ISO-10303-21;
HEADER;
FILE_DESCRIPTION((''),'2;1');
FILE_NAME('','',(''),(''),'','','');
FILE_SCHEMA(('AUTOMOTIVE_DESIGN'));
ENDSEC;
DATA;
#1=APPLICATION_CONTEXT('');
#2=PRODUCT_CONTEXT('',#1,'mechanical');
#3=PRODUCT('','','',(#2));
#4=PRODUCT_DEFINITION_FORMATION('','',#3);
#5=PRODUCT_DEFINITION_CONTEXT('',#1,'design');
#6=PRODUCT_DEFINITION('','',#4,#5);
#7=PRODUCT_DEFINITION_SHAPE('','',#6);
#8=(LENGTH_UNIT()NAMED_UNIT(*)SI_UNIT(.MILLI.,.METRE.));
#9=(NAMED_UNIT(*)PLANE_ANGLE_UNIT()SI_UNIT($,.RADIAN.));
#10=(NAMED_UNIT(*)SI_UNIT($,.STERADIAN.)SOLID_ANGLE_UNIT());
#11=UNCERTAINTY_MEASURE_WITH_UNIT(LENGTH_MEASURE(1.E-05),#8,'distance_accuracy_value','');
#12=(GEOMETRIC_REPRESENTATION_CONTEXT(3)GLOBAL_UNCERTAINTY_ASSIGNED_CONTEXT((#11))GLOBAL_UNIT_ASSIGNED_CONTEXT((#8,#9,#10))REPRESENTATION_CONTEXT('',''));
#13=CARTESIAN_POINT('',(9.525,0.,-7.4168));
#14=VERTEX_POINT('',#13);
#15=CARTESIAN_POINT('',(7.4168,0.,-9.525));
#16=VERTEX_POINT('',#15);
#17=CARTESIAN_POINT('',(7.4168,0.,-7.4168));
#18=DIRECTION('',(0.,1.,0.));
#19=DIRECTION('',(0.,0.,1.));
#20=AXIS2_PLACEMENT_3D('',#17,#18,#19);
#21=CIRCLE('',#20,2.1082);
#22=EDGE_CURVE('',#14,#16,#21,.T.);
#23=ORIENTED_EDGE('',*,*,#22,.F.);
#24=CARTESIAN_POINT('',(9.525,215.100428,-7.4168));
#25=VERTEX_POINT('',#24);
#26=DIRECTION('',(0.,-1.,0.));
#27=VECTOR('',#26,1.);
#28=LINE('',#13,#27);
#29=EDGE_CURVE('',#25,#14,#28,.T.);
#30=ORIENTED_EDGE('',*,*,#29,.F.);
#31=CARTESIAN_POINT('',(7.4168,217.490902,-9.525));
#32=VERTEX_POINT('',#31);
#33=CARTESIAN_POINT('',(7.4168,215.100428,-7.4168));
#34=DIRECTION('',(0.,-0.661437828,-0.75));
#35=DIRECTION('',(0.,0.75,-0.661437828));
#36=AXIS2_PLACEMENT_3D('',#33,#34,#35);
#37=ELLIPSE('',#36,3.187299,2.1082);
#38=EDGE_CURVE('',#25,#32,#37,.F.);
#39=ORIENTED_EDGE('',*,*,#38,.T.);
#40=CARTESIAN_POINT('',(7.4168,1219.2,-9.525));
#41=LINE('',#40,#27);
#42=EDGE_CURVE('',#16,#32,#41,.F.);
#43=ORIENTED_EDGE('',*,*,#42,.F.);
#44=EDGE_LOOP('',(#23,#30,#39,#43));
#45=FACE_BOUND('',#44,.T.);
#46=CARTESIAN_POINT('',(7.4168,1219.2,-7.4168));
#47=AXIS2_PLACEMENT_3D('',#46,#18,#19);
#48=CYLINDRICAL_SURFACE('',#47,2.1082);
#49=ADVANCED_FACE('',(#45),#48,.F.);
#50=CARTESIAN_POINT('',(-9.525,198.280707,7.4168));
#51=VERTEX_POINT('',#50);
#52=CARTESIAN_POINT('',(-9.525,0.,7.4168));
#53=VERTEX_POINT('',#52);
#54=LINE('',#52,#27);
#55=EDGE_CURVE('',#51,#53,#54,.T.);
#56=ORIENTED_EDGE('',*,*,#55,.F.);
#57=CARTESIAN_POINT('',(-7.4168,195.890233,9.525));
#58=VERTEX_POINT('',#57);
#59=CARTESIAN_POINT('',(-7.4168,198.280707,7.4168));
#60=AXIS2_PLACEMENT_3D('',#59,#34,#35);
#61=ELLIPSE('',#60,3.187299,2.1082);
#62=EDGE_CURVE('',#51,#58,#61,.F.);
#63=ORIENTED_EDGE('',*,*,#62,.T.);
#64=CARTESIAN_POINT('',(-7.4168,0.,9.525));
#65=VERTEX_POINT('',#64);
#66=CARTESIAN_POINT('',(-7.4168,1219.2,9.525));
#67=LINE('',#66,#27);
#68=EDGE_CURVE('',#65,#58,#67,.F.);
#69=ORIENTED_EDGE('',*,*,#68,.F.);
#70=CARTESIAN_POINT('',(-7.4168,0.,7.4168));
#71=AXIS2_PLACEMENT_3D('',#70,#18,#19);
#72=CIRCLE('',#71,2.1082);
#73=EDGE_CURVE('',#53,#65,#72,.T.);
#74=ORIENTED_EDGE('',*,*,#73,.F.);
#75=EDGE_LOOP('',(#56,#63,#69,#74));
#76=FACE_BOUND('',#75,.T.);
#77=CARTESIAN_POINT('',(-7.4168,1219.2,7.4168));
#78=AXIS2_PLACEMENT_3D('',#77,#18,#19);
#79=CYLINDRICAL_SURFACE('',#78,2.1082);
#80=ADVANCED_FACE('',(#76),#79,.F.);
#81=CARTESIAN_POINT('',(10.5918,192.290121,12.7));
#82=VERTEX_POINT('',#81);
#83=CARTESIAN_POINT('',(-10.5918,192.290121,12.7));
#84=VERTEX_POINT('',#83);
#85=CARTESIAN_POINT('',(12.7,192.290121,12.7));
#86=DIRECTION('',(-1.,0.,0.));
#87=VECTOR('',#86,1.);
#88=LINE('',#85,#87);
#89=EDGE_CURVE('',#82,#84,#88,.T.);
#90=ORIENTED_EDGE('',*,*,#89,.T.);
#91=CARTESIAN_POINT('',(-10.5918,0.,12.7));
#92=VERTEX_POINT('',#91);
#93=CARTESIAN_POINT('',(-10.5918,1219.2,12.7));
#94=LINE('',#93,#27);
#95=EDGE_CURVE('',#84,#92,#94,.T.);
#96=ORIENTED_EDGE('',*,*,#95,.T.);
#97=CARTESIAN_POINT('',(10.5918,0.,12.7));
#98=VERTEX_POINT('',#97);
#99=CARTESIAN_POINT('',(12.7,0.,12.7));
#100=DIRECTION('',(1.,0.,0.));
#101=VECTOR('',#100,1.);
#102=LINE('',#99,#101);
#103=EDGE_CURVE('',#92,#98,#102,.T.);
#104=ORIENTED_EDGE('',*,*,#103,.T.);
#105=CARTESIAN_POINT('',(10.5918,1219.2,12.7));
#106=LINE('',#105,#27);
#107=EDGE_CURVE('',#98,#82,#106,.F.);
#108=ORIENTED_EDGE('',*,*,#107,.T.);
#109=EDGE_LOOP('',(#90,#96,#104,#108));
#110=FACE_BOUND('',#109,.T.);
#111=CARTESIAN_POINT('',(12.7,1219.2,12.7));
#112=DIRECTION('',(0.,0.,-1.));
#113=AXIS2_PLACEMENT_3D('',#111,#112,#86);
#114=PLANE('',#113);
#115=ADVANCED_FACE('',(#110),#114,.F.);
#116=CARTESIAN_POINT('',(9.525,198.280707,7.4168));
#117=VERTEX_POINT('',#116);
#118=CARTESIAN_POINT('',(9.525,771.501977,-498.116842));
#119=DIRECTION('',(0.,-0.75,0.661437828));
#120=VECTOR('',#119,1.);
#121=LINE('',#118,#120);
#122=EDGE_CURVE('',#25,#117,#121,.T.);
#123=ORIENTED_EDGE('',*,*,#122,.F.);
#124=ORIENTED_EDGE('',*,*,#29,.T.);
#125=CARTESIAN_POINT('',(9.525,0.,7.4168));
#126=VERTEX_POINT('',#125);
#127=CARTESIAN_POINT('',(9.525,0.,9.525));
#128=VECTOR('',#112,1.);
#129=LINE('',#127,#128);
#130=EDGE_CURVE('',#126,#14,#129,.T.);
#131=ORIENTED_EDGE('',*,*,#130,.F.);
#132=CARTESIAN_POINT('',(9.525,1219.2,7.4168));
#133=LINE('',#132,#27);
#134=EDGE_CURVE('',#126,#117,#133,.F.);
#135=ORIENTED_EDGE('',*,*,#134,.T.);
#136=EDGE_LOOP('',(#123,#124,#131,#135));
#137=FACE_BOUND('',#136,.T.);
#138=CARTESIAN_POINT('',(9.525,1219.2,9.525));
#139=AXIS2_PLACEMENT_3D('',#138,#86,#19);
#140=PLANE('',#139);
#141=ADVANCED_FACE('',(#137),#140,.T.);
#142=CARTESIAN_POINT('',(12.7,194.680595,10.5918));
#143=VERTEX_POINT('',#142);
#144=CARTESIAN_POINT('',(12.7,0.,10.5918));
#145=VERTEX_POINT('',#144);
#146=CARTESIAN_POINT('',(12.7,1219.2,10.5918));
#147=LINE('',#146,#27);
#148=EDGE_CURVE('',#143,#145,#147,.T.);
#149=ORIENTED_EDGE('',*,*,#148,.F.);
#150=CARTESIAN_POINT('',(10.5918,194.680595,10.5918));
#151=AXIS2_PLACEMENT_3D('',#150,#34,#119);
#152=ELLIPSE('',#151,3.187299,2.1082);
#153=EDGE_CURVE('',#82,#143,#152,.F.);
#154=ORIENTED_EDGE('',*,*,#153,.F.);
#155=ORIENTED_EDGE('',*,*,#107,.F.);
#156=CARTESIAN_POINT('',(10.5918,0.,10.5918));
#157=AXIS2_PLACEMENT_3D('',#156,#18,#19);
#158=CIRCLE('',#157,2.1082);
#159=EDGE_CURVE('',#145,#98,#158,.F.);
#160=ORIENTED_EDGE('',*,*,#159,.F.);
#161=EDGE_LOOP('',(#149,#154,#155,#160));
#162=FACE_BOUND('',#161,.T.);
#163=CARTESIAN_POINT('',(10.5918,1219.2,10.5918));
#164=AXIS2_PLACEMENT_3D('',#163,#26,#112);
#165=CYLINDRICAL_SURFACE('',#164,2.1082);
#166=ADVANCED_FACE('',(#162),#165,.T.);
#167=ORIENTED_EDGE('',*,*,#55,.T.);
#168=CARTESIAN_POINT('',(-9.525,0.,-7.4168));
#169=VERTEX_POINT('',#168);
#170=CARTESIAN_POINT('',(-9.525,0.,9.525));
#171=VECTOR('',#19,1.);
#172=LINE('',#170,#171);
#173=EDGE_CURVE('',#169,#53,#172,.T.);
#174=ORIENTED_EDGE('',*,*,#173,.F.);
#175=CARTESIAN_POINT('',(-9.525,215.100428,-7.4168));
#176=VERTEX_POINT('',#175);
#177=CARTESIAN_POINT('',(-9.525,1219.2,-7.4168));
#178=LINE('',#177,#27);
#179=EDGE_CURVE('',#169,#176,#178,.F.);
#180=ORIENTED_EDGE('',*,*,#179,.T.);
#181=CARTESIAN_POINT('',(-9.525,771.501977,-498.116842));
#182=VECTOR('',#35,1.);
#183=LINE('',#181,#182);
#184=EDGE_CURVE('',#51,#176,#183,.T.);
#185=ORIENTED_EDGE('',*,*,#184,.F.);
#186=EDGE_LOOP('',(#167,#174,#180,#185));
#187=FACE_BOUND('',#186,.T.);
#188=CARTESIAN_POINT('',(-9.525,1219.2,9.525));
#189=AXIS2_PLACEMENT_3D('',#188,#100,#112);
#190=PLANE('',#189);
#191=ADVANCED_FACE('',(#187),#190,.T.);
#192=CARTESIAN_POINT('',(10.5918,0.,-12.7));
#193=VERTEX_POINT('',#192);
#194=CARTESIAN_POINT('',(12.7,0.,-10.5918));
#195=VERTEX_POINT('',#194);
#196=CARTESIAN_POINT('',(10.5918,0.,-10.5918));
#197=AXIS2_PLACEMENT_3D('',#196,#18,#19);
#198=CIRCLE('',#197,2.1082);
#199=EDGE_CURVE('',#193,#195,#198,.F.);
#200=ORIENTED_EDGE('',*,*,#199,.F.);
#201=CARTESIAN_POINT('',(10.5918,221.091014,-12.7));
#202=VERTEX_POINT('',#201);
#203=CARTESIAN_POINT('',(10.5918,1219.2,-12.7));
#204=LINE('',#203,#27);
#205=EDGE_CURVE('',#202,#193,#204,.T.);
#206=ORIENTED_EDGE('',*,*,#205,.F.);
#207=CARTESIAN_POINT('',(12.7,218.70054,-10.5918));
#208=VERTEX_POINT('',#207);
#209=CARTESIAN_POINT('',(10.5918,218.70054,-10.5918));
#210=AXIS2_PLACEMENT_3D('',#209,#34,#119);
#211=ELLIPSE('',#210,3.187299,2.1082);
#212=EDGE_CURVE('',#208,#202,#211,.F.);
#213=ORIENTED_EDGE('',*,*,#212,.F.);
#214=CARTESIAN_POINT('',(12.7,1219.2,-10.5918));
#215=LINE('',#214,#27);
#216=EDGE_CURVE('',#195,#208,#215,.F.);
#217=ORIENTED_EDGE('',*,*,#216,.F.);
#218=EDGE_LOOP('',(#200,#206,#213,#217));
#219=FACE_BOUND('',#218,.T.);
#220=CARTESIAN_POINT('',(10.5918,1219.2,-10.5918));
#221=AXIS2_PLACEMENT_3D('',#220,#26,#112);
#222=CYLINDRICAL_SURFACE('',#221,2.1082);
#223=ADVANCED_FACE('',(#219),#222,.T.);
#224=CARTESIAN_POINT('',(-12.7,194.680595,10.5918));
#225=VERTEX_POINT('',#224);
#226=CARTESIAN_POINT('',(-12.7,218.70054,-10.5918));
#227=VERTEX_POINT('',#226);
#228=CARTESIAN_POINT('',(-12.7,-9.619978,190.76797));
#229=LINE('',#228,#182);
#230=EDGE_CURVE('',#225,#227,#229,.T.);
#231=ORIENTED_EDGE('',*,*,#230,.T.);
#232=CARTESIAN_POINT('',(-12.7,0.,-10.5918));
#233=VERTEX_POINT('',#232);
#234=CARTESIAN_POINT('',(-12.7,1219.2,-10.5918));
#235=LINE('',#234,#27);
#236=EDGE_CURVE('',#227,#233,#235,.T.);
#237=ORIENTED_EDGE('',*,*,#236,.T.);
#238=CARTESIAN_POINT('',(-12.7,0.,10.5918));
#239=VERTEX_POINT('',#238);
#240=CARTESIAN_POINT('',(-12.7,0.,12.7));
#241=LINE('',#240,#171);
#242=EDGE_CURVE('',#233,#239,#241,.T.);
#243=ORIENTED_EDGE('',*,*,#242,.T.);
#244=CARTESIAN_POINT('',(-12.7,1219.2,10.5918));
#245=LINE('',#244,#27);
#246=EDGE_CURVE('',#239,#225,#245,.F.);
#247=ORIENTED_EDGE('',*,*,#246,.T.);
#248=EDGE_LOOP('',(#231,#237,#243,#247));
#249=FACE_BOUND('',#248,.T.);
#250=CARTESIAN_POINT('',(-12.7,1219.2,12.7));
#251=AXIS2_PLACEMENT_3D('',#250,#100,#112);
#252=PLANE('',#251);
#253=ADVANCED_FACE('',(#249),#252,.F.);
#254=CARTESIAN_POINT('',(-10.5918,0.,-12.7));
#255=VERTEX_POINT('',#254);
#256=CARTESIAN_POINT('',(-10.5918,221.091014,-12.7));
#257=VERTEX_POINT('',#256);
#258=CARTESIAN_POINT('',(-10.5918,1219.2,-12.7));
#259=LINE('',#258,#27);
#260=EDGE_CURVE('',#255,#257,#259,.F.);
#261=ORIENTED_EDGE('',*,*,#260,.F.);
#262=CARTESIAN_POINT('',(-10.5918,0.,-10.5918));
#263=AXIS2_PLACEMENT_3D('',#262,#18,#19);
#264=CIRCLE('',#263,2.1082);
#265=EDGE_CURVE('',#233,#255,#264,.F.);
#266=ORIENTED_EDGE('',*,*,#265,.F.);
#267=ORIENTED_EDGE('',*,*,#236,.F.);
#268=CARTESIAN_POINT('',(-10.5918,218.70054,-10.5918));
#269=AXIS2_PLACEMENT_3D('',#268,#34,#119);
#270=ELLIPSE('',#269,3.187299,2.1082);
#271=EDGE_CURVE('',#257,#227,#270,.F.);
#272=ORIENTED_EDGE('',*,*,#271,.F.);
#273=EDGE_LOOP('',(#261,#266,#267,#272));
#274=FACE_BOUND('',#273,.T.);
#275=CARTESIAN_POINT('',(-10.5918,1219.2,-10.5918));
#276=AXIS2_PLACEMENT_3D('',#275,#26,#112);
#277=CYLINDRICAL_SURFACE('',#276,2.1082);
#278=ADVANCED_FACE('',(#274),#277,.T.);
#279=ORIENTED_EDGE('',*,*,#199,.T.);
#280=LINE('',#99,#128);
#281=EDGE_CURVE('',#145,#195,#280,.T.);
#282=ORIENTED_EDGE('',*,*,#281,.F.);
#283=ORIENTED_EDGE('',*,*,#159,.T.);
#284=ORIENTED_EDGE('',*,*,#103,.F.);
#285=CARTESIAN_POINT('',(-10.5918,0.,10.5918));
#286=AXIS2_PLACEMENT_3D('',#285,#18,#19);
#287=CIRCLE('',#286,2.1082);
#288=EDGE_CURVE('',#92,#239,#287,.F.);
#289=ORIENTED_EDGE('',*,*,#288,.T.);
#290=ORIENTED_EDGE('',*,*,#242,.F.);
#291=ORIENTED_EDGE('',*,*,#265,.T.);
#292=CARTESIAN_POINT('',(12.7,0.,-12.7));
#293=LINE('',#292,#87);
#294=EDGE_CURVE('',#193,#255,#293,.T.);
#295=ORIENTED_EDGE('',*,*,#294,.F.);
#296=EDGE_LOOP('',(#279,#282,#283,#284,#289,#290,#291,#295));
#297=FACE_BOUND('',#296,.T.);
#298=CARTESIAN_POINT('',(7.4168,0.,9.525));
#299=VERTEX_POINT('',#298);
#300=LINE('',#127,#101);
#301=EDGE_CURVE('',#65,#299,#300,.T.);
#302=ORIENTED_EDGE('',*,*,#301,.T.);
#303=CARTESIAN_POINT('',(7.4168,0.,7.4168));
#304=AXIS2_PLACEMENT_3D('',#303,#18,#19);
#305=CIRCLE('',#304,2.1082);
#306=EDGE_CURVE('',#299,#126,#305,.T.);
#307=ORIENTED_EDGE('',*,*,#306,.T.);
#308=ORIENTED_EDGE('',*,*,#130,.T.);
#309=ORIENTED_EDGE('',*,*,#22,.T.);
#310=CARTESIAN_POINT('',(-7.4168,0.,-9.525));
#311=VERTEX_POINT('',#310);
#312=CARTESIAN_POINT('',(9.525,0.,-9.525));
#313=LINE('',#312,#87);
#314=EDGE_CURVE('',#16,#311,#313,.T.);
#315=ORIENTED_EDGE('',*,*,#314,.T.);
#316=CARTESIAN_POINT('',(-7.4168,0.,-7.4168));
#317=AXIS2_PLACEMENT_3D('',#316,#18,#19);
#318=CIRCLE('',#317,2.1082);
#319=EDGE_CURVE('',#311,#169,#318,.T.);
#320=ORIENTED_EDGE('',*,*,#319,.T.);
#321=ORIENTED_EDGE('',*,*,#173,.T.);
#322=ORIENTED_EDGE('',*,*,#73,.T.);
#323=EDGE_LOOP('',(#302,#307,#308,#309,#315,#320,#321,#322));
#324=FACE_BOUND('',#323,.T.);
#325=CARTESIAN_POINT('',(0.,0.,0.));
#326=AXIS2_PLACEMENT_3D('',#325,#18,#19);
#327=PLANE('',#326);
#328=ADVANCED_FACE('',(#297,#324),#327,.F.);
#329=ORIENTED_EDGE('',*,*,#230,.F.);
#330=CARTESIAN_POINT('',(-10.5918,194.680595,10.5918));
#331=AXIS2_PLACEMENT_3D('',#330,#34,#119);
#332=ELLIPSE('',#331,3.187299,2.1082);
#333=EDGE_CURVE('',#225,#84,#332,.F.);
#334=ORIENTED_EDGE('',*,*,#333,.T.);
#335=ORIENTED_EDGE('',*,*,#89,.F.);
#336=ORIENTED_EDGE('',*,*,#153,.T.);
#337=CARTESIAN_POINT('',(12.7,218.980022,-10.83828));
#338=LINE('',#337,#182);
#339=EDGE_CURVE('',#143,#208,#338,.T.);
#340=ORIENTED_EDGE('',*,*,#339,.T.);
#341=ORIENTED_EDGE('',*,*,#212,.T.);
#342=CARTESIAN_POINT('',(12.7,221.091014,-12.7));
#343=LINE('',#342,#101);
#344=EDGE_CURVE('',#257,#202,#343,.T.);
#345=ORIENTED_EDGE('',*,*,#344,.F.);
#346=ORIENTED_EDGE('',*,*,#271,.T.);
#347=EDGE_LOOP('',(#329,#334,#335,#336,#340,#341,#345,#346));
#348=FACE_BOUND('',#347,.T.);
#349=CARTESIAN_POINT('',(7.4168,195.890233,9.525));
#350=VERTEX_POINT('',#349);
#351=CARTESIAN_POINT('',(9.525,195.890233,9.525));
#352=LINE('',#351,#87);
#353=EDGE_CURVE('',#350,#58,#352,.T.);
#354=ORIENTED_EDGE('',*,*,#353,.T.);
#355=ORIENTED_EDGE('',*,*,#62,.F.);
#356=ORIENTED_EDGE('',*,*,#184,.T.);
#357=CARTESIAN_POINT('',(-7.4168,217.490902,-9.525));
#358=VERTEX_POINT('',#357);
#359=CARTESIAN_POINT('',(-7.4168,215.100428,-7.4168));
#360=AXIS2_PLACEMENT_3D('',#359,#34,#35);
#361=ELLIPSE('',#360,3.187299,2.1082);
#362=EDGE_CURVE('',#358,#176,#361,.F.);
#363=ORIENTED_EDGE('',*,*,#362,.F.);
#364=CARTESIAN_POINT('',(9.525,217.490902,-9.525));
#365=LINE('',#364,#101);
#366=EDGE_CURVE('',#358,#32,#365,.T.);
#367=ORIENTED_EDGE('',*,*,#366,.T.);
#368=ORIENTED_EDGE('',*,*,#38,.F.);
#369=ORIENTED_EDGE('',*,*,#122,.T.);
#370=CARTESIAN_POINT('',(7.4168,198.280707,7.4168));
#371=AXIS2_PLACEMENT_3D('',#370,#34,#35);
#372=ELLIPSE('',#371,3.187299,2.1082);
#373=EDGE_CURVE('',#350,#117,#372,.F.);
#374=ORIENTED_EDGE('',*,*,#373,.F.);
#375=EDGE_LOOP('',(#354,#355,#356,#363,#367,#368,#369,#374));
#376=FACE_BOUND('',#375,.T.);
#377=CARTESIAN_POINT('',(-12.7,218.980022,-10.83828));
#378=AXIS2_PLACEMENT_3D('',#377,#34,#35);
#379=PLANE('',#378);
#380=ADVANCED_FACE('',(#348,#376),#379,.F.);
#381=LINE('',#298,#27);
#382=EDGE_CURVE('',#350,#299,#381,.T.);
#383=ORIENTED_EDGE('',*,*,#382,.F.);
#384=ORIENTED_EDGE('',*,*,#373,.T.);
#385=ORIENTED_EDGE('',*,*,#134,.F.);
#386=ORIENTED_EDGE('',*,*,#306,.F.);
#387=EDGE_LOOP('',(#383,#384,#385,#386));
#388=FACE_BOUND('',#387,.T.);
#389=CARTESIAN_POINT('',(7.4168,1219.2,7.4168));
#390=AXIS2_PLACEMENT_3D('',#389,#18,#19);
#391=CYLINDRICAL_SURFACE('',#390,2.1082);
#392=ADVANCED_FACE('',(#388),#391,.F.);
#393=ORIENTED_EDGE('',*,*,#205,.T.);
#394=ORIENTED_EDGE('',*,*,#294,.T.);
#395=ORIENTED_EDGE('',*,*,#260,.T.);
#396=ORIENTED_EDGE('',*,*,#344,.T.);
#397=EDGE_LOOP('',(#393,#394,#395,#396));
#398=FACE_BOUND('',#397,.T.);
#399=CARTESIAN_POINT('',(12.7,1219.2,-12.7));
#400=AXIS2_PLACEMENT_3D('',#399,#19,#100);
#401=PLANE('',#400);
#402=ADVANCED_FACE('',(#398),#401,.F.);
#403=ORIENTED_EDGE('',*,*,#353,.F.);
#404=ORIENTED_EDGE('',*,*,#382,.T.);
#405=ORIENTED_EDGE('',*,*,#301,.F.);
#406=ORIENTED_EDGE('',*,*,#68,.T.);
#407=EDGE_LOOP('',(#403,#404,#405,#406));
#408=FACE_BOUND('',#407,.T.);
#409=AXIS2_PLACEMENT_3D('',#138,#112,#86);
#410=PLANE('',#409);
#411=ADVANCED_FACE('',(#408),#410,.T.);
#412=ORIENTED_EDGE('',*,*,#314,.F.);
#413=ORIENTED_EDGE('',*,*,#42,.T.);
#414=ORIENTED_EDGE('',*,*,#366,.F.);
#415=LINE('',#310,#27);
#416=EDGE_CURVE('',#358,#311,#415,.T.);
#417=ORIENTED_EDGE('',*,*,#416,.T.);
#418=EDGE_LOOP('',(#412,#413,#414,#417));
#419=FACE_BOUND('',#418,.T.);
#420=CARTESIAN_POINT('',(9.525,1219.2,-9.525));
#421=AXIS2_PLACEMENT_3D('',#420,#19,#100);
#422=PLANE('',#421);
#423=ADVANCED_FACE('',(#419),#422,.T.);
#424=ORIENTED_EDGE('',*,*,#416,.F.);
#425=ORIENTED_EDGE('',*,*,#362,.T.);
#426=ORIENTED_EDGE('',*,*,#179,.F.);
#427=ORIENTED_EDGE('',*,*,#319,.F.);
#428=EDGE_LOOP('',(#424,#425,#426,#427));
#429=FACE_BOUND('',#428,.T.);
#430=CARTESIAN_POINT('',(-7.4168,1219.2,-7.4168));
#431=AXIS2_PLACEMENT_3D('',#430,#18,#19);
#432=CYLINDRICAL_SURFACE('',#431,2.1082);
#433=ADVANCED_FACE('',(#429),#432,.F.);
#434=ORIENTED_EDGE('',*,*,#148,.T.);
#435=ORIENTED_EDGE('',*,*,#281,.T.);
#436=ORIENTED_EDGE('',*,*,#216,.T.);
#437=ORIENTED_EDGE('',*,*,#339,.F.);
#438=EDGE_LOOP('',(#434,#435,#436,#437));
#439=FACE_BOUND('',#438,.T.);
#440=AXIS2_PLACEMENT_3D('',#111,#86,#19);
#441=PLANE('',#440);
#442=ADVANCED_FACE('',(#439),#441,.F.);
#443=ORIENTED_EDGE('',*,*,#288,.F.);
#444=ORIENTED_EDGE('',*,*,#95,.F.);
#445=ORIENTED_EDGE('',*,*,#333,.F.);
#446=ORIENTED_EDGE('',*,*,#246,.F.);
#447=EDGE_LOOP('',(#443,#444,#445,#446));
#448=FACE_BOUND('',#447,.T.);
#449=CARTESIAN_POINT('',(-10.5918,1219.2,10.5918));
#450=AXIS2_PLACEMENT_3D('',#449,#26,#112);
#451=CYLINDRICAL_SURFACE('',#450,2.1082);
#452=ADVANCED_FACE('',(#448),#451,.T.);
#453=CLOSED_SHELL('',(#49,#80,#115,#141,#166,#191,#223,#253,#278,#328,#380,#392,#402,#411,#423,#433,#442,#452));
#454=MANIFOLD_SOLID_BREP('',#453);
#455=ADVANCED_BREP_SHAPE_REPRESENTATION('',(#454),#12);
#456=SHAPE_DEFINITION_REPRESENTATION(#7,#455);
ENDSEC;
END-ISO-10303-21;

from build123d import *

# Parameters (mm, degrees)
SKETCH1_W           = 25.4
SKETCH1_H           = 25.4
SKETCH1_W_2         = 19.05
SKETCH1_H_2         = 19.05
BOSS_EXTRUDE1_DEPTH = 1219.2
FILLET1_R           = 2.1082
SKETCH2_OUTSIDE_W   = 271.346
SKETCH2_OUTSIDE_H   = 1465.146
SKETCH2_OUTSIDE_W_2 = 161.404490431
SKETCH2_OUTSIDE_H_2 = 228.6
CUT_EXTRUDE1_DEPTH  = 1220.530684321
CUT_EXTRUDE2_DEPTH  = 231.35713577


with BuildPart() as part:
    # Sketch1 → Boss-Extrude1 (new body)
    with BuildSketch(Plane(origin=(0, 0, 0), x_dir=(1, 0, 0), z_dir=(0, 1, 0))):
        Rectangle(SKETCH1_W, SKETCH1_H)
        Rectangle(SKETCH1_W_2, SKETCH1_H_2, mode=Mode.SUBTRACT)
    extrude(amount=BOSS_EXTRUDE1_DEPTH)

    # Fillet1
    fillet1_edges = [part.edges().sort_by_distance(p)[0] for p in [
        (9.525, 609.6, 9.525),
        (9.525, 609.6, -9.525),
        (-9.525, 609.6, -9.525),
        (-9.525, 609.6, 9.525),
        (-12.7, 609.6, -12.7),
        (12.7, 609.6, -12.7),
        (12.7, 609.6, 12.7),
        (-12.7, 609.6, 12.7),
    ]]
    fillet(fillet1_edges, radius=FILLET1_R)

    # Sketch2 outside → Cut-Extrude1 (cut, through all)
    with BuildSketch(Plane(origin=(12.7, 0, 0), x_dir=(0, 0, -1), z_dir=(1, 0, 0))):
        with Locations((0, 609.6)):
            Rectangle(SKETCH2_OUTSIDE_W, SKETCH2_OUTSIDE_H)
        with Locations((42.327264621, 114.3)):
            Rectangle(SKETCH2_OUTSIDE_W_2, SKETCH2_OUTSIDE_H_2, mode=Mode.SUBTRACT)
    extrude(amount=-CUT_EXTRUDE1_DEPTH, mode=Mode.SUBTRACT)

    # Sketch3 → Cut-Extrude2 (cut, through all)
    with BuildSketch(Plane(origin=(12.7, 0, 0), x_dir=(0, 0, -1), z_dir=(1, 0, 0))):
        Polygon((-201.676, 0), (-14.872954341, 211.814744127), (-14.872954341, 228.6), (-0.069750097, 228.6), (15.452852017, 246.200976383), (26.360882017, 236.580998158), (10.838279903, 218.980021775), (-190.76797, -9.619978225), align=None)
    extrude(amount=-CUT_EXTRUDE2_DEPTH, mode=Mode.SUBTRACT)


solid = part.part
